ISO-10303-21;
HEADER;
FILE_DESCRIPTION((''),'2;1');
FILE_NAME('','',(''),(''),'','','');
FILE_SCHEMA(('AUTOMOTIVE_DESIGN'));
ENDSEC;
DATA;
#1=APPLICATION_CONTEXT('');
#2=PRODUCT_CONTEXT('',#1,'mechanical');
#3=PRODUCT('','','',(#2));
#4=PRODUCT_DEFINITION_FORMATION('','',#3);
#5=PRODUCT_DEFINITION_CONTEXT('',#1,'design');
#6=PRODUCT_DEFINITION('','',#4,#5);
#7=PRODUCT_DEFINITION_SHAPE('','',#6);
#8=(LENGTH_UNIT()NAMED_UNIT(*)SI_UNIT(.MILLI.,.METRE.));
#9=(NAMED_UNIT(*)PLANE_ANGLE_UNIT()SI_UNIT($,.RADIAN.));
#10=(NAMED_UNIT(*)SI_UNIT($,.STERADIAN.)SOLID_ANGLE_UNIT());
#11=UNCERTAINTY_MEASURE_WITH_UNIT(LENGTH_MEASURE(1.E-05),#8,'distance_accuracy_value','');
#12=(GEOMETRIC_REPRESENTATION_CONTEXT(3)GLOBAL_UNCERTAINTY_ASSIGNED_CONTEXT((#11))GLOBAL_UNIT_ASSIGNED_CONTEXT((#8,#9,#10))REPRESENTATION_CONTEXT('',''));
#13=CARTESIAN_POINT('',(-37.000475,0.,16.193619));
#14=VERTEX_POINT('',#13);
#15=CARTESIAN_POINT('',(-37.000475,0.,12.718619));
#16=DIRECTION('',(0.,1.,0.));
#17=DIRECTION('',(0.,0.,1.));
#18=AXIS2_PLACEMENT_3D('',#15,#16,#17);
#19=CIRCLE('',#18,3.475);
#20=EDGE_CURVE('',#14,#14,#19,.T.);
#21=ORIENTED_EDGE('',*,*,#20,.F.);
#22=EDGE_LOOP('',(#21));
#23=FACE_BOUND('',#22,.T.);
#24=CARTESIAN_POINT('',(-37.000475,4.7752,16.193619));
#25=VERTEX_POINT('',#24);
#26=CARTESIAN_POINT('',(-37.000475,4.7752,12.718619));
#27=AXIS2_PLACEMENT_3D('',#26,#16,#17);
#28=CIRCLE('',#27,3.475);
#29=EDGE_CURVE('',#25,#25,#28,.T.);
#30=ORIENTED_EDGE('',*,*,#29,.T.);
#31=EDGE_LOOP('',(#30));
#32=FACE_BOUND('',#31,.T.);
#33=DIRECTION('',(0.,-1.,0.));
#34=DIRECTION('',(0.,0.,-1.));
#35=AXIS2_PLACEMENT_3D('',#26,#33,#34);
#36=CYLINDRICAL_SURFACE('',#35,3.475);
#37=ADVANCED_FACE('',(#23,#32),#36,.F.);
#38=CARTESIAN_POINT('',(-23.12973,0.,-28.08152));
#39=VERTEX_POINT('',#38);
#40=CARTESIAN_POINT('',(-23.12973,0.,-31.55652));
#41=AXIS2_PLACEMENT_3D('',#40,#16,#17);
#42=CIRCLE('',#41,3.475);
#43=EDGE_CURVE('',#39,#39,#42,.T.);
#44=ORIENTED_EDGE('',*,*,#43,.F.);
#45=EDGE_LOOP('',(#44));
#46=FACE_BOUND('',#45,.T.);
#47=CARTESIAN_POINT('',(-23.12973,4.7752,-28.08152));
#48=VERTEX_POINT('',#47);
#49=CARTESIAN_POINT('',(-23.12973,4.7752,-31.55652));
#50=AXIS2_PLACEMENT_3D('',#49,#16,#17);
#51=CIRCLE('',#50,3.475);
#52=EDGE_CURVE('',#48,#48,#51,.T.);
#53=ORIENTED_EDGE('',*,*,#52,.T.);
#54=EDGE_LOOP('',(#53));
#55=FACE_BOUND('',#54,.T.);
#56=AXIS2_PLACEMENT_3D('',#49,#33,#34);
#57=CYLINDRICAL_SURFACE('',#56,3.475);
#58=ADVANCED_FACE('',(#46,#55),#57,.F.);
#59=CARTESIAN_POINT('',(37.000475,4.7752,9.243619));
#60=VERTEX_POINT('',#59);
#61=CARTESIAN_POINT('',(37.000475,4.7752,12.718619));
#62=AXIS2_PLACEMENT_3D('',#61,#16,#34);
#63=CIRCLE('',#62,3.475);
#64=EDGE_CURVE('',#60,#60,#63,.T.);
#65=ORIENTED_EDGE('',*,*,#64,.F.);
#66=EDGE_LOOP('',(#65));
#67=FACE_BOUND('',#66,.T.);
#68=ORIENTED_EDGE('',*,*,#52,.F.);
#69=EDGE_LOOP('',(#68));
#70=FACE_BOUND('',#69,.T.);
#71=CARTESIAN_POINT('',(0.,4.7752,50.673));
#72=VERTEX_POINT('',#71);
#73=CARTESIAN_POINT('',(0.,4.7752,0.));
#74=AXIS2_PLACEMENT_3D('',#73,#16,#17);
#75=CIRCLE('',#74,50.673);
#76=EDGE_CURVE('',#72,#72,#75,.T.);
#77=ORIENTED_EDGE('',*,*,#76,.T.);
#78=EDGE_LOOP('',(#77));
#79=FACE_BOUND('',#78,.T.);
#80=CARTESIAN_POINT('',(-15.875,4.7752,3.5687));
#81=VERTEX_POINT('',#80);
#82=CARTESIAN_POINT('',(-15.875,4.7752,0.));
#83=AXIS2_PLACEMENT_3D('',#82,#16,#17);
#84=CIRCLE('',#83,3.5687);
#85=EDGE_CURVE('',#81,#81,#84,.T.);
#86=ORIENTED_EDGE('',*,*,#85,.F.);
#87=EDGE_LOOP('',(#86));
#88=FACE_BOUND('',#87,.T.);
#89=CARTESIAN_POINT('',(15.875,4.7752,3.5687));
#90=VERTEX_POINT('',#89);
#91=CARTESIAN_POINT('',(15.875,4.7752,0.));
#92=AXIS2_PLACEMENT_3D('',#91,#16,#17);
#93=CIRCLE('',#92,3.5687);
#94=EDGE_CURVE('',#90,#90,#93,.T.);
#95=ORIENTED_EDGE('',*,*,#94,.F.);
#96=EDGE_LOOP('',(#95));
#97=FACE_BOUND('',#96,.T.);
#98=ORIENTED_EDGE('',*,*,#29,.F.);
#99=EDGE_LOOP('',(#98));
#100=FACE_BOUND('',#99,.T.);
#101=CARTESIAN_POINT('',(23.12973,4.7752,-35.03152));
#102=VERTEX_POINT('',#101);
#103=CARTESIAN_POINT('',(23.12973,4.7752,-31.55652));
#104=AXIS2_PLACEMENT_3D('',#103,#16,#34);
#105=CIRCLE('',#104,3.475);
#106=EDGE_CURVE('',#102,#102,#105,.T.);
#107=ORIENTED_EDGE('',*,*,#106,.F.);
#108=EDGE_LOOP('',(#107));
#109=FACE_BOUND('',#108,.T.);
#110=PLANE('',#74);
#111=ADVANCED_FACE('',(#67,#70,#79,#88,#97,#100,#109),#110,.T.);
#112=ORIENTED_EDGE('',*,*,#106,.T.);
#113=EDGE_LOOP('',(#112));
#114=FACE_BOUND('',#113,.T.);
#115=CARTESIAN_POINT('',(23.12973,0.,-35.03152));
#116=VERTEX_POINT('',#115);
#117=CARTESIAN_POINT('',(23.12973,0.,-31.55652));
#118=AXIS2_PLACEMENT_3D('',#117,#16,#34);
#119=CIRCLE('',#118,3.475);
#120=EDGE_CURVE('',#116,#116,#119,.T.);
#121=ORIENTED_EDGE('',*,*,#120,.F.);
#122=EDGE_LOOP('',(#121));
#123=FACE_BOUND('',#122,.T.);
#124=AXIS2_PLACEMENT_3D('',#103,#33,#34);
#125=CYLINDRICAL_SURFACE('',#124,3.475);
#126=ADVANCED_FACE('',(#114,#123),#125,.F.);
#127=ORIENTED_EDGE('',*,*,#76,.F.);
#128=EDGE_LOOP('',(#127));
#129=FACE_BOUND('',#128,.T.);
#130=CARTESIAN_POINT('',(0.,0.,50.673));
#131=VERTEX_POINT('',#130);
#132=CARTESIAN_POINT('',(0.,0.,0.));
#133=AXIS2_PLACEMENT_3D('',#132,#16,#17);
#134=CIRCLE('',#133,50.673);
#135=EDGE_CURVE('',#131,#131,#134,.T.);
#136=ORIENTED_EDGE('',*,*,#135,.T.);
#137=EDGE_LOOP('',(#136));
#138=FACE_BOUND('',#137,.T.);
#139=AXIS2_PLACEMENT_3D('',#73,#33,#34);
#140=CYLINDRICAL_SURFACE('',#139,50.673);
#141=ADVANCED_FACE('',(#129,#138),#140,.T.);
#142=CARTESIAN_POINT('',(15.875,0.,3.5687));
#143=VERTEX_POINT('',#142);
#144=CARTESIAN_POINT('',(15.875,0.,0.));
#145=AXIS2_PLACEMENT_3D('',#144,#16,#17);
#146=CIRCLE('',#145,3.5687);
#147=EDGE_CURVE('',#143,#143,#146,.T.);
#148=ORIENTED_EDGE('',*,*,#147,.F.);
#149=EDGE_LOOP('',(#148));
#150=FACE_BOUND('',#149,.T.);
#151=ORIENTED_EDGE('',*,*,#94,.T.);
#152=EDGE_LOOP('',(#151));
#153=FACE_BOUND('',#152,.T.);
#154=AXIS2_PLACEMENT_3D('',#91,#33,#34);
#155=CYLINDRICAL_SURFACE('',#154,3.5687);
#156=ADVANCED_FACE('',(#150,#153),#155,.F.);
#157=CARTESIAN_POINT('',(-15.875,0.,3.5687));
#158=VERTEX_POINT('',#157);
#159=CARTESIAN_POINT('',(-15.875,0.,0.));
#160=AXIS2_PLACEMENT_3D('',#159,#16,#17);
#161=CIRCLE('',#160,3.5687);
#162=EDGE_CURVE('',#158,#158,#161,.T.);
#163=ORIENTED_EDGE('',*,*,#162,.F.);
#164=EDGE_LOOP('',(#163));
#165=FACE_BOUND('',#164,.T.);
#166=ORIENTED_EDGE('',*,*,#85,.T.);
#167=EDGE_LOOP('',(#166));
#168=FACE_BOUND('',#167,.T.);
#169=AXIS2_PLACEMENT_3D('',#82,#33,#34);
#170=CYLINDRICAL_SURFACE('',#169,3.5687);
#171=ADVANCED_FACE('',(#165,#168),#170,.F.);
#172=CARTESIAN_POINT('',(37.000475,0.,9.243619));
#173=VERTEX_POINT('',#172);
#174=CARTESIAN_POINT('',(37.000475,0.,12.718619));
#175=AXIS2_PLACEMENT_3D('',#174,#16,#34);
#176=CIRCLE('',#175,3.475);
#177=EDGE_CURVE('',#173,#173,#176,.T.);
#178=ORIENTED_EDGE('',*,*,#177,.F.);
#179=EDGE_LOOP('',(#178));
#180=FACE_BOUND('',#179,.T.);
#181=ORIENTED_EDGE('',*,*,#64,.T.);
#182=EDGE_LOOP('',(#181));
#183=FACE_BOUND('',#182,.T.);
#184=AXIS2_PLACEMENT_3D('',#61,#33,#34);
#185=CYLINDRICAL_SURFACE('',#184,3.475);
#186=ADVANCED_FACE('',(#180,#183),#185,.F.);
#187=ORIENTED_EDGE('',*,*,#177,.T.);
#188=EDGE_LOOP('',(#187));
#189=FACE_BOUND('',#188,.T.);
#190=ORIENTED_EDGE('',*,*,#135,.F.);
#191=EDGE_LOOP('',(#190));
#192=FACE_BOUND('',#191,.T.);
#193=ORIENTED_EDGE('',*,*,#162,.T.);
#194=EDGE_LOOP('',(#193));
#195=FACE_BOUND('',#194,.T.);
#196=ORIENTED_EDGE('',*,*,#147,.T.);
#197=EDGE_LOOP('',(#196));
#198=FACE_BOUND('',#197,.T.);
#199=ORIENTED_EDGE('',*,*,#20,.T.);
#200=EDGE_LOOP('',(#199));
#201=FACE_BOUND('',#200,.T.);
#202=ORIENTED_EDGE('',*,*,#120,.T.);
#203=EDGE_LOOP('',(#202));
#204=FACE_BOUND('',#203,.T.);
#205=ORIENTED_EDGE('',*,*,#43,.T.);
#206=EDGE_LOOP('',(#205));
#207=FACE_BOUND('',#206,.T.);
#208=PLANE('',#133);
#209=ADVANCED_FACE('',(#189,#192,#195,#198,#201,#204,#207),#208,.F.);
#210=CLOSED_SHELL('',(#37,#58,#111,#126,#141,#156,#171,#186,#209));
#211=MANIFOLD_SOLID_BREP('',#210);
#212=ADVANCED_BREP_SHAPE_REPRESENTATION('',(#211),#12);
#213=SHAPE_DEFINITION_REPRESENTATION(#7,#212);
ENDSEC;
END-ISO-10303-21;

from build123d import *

# Parameters (mm, degrees)
SKETCH1_R           = 50.673
SKETCH1_R_2         = 3.5687
SKETCH1_R_3         = 3.475000035
BOSS_EXTRUDE1_DEPTH = 4.7752


with BuildPart() as part:
    # Sketch1 → Boss-Extrude1 (new body)
    with BuildSketch(Plane(origin=(0, 0, 0), x_dir=(1, 0, 0), z_dir=(0, 1, 0))):
        Circle(SKETCH1_R)
        with Locations((-15.875, 0)):
            Circle(SKETCH1_R_2, mode=Mode.SUBTRACT)
        with Locations((15.875, 0)):
            Circle(SKETCH1_R_2, mode=Mode.SUBTRACT)
        with Locations((-37.000474805, -12.718618741)):
            Circle(SKETCH1_R_3, mode=Mode.SUBTRACT)
        with Locations((-23.12973035, 31.556520284)):
            Circle(SKETCH1_R_3, mode=Mode.SUBTRACT)
        with Locations((23.12973035, 31.556520284)):
            Circle(SKETCH1_R_3, mode=Mode.SUBTRACT)
        with Locations((37.000474805, -12.718618741)):
            Circle(SKETCH1_R_3, mode=Mode.SUBTRACT)
    extrude(amount=BOSS_EXTRUDE1_DEPTH)


solid = part.part
